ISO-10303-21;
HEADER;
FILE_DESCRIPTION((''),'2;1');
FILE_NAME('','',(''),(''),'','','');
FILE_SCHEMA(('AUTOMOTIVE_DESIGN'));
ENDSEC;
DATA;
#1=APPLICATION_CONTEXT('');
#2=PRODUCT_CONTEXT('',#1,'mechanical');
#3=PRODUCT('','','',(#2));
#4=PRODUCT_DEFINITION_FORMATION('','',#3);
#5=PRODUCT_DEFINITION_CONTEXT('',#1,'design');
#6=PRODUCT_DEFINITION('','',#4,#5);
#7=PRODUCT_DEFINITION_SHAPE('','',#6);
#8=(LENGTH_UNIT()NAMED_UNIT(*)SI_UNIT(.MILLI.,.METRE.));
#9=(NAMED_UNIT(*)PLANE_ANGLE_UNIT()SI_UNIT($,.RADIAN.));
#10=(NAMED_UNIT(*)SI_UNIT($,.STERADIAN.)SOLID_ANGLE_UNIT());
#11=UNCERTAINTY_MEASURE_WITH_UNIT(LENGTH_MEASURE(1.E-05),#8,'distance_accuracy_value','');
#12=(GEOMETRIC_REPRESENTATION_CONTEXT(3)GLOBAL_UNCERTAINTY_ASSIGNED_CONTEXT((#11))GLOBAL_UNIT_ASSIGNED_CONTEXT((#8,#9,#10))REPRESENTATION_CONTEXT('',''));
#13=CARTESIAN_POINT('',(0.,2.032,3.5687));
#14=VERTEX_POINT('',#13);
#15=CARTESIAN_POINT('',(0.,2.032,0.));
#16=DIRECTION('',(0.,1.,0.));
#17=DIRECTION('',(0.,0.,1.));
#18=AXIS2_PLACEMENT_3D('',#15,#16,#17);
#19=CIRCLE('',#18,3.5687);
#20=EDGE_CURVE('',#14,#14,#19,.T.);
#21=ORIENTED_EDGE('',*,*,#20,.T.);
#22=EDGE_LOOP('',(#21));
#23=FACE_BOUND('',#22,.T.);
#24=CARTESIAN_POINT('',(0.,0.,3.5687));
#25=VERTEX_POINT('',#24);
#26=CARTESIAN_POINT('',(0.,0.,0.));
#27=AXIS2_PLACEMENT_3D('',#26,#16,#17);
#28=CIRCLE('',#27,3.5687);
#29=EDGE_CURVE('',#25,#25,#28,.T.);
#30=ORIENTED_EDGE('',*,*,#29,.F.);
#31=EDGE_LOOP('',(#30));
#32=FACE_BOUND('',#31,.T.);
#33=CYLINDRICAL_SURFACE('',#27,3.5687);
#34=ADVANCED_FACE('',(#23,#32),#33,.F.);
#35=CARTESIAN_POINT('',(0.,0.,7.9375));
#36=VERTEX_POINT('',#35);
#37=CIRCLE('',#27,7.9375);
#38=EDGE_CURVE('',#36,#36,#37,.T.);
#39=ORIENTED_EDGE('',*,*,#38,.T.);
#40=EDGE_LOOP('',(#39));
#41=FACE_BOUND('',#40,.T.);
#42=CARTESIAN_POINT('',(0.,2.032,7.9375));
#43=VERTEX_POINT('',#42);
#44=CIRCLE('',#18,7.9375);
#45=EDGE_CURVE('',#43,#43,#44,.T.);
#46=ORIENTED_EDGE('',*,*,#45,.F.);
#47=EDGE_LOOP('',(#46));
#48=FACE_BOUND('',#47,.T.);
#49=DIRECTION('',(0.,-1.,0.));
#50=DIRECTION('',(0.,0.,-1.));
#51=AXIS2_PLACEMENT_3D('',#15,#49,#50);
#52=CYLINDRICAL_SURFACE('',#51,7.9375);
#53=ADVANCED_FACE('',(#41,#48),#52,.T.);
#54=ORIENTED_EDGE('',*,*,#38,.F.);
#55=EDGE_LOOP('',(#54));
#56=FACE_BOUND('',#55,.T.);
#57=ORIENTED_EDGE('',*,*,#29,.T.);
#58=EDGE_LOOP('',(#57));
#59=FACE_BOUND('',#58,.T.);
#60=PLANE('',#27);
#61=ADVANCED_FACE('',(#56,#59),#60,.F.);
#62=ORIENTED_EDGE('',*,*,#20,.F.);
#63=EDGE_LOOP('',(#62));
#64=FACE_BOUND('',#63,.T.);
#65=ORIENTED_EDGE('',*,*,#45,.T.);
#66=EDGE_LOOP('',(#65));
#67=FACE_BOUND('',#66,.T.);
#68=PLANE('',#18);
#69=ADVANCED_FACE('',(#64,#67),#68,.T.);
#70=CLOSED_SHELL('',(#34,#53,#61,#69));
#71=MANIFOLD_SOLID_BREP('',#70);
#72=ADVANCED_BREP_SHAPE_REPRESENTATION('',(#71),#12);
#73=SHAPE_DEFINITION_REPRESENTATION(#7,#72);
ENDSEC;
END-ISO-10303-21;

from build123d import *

# Parameters (mm, degrees)
SKETCH1_R           = 7.9375
BOSS_EXTRUDE1_DEPTH = 2.032
SKETCH5_R           = 3.5687
CUT_EXTRUDE1_DEPTH  = 3.032


with BuildPart() as part:
    # Sketch1 → Boss-Extrude1 (new body)
    with BuildSketch(Plane(origin=(0, 0, 0), x_dir=(1, 0, 0), z_dir=(0, 1, 0))):
        Circle(SKETCH1_R)
    extrude(amount=BOSS_EXTRUDE1_DEPTH)

    # Sketch5 → Cut-Extrude1 (cut, through all)
    with BuildSketch(Plane(origin=(0, 2.032, 0), x_dir=(-1, 0, 0), z_dir=(0, 1, 0))):
        Circle(SKETCH5_R)
    extrude(amount=-CUT_EXTRUDE1_DEPTH, mode=Mode.SUBTRACT)


solid = part.part
